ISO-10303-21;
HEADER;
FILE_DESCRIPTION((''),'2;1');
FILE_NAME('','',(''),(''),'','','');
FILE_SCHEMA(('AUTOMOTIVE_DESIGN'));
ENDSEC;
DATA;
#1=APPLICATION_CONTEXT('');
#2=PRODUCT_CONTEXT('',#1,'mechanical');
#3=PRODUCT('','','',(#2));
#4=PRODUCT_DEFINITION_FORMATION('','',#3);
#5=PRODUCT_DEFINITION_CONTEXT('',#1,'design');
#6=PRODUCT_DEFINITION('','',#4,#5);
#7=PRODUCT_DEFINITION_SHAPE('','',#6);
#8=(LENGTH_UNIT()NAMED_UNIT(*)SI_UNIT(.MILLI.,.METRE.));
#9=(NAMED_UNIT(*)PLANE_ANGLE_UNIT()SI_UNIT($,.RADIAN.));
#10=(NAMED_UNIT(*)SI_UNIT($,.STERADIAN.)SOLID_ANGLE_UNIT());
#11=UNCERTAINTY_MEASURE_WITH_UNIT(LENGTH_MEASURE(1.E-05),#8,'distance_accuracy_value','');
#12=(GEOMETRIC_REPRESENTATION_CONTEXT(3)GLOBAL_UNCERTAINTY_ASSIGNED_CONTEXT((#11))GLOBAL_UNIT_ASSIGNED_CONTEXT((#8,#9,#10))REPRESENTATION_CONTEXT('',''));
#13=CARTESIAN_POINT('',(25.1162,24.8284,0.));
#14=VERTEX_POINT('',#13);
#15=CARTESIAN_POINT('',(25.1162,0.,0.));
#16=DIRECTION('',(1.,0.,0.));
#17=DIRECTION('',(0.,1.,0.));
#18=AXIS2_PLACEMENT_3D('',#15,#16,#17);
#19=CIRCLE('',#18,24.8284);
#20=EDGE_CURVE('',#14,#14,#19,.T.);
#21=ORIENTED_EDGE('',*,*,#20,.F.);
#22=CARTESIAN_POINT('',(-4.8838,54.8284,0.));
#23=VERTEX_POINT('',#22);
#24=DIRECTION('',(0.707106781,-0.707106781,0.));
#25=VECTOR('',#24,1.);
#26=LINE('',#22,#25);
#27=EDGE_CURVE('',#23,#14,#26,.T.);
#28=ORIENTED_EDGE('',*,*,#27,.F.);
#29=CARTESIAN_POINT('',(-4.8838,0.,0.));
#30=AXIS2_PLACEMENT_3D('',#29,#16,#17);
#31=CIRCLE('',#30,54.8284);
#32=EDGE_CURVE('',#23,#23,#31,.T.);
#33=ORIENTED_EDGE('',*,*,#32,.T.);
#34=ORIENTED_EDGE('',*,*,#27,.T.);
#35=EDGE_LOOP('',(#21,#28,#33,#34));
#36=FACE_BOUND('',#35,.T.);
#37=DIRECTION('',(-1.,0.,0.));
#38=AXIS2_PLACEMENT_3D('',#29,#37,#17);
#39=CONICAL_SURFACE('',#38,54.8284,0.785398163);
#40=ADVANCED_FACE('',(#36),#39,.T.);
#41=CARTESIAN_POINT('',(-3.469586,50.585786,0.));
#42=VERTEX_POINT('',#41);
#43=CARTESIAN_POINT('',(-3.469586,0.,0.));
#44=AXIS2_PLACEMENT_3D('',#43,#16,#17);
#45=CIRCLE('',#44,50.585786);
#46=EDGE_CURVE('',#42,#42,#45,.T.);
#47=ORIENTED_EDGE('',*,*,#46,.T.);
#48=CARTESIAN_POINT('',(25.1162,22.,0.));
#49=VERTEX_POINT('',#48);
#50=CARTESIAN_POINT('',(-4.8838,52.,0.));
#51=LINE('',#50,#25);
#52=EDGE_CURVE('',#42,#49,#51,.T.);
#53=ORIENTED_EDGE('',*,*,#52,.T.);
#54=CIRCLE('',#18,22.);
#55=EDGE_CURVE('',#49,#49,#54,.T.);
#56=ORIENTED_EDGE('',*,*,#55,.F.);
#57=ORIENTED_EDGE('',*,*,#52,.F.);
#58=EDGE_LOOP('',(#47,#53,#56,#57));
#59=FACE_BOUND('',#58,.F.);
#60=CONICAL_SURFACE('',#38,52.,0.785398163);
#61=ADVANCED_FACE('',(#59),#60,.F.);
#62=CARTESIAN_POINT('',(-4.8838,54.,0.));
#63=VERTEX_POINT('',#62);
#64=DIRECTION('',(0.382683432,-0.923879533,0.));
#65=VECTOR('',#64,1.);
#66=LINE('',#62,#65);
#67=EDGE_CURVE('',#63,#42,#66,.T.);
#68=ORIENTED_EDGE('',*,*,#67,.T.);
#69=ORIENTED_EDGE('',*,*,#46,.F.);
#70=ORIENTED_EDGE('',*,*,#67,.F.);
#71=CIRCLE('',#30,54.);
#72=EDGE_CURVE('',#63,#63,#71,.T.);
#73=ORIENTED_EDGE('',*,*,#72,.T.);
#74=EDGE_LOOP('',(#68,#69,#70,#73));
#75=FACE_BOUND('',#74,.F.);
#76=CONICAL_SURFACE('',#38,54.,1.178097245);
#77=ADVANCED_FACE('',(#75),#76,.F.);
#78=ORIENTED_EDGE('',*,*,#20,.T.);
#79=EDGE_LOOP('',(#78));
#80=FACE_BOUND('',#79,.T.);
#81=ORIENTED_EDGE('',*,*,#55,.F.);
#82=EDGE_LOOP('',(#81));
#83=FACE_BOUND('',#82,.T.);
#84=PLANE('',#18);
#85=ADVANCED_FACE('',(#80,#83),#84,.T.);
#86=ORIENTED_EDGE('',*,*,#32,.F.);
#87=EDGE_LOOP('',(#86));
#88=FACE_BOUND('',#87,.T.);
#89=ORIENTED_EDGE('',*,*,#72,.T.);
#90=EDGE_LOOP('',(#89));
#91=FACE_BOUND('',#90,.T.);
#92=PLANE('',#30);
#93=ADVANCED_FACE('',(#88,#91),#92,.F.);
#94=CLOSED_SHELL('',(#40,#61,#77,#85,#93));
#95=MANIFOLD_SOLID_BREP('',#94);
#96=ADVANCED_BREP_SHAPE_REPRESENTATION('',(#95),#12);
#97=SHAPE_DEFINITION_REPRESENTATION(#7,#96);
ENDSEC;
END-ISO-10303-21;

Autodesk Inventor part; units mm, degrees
ref_plane "YZ Plane" through (0, 0, 0) normal (1, 0, 0) x (0, 1, 0)
ref_plane "XZ Plane" through (0, 0, 0) normal (0, 1, 0) x (-1, 0, 0)
ref_plane "XY Plane" through (0, 0, 0) normal (0, 0, 1) x (1, 0, 0)
sketch "Sketch3" plane through (0, 0, 0) normal (0, 0, 1) x (1, 0, 0)
  line L0 (-4.8838, 52) -> (25.1162, 22)
  line L1 (-4.8838, 52) -> (-4.8838, 54.8284)
  line L2 (-10.9325, 0) -> (57.9097, 0)
  line L3 (-4.8838, 54.8284) -> (25.1162, 24.8284)
  line L4 (-4.8838, 52) -> (-4.8838, 37.7002) construction
  line L5 (25.1162, 24.8284) -> (25.1162, 22)
  point P0 (0, 0)
  point P1 (23.4886, 0)
  point P2 (25.1162, 23.4142)
  point P3 (-4.8838, 53.4142)
  dimension "d32" = 2
  dimension "d39" = 22
  dimension "d44" = 45
  dimension "d45" = 30
revolve "Revolution1" add sketch "Sketch3" angle 360 about axis through (-10.9325, 0, 0) along (1, 0, 0)
chamfer "Chamfer1" distance 2 angle 45 1 edges at (-4.8838, -52, 0)
properties part number "basket_3DPrint"
